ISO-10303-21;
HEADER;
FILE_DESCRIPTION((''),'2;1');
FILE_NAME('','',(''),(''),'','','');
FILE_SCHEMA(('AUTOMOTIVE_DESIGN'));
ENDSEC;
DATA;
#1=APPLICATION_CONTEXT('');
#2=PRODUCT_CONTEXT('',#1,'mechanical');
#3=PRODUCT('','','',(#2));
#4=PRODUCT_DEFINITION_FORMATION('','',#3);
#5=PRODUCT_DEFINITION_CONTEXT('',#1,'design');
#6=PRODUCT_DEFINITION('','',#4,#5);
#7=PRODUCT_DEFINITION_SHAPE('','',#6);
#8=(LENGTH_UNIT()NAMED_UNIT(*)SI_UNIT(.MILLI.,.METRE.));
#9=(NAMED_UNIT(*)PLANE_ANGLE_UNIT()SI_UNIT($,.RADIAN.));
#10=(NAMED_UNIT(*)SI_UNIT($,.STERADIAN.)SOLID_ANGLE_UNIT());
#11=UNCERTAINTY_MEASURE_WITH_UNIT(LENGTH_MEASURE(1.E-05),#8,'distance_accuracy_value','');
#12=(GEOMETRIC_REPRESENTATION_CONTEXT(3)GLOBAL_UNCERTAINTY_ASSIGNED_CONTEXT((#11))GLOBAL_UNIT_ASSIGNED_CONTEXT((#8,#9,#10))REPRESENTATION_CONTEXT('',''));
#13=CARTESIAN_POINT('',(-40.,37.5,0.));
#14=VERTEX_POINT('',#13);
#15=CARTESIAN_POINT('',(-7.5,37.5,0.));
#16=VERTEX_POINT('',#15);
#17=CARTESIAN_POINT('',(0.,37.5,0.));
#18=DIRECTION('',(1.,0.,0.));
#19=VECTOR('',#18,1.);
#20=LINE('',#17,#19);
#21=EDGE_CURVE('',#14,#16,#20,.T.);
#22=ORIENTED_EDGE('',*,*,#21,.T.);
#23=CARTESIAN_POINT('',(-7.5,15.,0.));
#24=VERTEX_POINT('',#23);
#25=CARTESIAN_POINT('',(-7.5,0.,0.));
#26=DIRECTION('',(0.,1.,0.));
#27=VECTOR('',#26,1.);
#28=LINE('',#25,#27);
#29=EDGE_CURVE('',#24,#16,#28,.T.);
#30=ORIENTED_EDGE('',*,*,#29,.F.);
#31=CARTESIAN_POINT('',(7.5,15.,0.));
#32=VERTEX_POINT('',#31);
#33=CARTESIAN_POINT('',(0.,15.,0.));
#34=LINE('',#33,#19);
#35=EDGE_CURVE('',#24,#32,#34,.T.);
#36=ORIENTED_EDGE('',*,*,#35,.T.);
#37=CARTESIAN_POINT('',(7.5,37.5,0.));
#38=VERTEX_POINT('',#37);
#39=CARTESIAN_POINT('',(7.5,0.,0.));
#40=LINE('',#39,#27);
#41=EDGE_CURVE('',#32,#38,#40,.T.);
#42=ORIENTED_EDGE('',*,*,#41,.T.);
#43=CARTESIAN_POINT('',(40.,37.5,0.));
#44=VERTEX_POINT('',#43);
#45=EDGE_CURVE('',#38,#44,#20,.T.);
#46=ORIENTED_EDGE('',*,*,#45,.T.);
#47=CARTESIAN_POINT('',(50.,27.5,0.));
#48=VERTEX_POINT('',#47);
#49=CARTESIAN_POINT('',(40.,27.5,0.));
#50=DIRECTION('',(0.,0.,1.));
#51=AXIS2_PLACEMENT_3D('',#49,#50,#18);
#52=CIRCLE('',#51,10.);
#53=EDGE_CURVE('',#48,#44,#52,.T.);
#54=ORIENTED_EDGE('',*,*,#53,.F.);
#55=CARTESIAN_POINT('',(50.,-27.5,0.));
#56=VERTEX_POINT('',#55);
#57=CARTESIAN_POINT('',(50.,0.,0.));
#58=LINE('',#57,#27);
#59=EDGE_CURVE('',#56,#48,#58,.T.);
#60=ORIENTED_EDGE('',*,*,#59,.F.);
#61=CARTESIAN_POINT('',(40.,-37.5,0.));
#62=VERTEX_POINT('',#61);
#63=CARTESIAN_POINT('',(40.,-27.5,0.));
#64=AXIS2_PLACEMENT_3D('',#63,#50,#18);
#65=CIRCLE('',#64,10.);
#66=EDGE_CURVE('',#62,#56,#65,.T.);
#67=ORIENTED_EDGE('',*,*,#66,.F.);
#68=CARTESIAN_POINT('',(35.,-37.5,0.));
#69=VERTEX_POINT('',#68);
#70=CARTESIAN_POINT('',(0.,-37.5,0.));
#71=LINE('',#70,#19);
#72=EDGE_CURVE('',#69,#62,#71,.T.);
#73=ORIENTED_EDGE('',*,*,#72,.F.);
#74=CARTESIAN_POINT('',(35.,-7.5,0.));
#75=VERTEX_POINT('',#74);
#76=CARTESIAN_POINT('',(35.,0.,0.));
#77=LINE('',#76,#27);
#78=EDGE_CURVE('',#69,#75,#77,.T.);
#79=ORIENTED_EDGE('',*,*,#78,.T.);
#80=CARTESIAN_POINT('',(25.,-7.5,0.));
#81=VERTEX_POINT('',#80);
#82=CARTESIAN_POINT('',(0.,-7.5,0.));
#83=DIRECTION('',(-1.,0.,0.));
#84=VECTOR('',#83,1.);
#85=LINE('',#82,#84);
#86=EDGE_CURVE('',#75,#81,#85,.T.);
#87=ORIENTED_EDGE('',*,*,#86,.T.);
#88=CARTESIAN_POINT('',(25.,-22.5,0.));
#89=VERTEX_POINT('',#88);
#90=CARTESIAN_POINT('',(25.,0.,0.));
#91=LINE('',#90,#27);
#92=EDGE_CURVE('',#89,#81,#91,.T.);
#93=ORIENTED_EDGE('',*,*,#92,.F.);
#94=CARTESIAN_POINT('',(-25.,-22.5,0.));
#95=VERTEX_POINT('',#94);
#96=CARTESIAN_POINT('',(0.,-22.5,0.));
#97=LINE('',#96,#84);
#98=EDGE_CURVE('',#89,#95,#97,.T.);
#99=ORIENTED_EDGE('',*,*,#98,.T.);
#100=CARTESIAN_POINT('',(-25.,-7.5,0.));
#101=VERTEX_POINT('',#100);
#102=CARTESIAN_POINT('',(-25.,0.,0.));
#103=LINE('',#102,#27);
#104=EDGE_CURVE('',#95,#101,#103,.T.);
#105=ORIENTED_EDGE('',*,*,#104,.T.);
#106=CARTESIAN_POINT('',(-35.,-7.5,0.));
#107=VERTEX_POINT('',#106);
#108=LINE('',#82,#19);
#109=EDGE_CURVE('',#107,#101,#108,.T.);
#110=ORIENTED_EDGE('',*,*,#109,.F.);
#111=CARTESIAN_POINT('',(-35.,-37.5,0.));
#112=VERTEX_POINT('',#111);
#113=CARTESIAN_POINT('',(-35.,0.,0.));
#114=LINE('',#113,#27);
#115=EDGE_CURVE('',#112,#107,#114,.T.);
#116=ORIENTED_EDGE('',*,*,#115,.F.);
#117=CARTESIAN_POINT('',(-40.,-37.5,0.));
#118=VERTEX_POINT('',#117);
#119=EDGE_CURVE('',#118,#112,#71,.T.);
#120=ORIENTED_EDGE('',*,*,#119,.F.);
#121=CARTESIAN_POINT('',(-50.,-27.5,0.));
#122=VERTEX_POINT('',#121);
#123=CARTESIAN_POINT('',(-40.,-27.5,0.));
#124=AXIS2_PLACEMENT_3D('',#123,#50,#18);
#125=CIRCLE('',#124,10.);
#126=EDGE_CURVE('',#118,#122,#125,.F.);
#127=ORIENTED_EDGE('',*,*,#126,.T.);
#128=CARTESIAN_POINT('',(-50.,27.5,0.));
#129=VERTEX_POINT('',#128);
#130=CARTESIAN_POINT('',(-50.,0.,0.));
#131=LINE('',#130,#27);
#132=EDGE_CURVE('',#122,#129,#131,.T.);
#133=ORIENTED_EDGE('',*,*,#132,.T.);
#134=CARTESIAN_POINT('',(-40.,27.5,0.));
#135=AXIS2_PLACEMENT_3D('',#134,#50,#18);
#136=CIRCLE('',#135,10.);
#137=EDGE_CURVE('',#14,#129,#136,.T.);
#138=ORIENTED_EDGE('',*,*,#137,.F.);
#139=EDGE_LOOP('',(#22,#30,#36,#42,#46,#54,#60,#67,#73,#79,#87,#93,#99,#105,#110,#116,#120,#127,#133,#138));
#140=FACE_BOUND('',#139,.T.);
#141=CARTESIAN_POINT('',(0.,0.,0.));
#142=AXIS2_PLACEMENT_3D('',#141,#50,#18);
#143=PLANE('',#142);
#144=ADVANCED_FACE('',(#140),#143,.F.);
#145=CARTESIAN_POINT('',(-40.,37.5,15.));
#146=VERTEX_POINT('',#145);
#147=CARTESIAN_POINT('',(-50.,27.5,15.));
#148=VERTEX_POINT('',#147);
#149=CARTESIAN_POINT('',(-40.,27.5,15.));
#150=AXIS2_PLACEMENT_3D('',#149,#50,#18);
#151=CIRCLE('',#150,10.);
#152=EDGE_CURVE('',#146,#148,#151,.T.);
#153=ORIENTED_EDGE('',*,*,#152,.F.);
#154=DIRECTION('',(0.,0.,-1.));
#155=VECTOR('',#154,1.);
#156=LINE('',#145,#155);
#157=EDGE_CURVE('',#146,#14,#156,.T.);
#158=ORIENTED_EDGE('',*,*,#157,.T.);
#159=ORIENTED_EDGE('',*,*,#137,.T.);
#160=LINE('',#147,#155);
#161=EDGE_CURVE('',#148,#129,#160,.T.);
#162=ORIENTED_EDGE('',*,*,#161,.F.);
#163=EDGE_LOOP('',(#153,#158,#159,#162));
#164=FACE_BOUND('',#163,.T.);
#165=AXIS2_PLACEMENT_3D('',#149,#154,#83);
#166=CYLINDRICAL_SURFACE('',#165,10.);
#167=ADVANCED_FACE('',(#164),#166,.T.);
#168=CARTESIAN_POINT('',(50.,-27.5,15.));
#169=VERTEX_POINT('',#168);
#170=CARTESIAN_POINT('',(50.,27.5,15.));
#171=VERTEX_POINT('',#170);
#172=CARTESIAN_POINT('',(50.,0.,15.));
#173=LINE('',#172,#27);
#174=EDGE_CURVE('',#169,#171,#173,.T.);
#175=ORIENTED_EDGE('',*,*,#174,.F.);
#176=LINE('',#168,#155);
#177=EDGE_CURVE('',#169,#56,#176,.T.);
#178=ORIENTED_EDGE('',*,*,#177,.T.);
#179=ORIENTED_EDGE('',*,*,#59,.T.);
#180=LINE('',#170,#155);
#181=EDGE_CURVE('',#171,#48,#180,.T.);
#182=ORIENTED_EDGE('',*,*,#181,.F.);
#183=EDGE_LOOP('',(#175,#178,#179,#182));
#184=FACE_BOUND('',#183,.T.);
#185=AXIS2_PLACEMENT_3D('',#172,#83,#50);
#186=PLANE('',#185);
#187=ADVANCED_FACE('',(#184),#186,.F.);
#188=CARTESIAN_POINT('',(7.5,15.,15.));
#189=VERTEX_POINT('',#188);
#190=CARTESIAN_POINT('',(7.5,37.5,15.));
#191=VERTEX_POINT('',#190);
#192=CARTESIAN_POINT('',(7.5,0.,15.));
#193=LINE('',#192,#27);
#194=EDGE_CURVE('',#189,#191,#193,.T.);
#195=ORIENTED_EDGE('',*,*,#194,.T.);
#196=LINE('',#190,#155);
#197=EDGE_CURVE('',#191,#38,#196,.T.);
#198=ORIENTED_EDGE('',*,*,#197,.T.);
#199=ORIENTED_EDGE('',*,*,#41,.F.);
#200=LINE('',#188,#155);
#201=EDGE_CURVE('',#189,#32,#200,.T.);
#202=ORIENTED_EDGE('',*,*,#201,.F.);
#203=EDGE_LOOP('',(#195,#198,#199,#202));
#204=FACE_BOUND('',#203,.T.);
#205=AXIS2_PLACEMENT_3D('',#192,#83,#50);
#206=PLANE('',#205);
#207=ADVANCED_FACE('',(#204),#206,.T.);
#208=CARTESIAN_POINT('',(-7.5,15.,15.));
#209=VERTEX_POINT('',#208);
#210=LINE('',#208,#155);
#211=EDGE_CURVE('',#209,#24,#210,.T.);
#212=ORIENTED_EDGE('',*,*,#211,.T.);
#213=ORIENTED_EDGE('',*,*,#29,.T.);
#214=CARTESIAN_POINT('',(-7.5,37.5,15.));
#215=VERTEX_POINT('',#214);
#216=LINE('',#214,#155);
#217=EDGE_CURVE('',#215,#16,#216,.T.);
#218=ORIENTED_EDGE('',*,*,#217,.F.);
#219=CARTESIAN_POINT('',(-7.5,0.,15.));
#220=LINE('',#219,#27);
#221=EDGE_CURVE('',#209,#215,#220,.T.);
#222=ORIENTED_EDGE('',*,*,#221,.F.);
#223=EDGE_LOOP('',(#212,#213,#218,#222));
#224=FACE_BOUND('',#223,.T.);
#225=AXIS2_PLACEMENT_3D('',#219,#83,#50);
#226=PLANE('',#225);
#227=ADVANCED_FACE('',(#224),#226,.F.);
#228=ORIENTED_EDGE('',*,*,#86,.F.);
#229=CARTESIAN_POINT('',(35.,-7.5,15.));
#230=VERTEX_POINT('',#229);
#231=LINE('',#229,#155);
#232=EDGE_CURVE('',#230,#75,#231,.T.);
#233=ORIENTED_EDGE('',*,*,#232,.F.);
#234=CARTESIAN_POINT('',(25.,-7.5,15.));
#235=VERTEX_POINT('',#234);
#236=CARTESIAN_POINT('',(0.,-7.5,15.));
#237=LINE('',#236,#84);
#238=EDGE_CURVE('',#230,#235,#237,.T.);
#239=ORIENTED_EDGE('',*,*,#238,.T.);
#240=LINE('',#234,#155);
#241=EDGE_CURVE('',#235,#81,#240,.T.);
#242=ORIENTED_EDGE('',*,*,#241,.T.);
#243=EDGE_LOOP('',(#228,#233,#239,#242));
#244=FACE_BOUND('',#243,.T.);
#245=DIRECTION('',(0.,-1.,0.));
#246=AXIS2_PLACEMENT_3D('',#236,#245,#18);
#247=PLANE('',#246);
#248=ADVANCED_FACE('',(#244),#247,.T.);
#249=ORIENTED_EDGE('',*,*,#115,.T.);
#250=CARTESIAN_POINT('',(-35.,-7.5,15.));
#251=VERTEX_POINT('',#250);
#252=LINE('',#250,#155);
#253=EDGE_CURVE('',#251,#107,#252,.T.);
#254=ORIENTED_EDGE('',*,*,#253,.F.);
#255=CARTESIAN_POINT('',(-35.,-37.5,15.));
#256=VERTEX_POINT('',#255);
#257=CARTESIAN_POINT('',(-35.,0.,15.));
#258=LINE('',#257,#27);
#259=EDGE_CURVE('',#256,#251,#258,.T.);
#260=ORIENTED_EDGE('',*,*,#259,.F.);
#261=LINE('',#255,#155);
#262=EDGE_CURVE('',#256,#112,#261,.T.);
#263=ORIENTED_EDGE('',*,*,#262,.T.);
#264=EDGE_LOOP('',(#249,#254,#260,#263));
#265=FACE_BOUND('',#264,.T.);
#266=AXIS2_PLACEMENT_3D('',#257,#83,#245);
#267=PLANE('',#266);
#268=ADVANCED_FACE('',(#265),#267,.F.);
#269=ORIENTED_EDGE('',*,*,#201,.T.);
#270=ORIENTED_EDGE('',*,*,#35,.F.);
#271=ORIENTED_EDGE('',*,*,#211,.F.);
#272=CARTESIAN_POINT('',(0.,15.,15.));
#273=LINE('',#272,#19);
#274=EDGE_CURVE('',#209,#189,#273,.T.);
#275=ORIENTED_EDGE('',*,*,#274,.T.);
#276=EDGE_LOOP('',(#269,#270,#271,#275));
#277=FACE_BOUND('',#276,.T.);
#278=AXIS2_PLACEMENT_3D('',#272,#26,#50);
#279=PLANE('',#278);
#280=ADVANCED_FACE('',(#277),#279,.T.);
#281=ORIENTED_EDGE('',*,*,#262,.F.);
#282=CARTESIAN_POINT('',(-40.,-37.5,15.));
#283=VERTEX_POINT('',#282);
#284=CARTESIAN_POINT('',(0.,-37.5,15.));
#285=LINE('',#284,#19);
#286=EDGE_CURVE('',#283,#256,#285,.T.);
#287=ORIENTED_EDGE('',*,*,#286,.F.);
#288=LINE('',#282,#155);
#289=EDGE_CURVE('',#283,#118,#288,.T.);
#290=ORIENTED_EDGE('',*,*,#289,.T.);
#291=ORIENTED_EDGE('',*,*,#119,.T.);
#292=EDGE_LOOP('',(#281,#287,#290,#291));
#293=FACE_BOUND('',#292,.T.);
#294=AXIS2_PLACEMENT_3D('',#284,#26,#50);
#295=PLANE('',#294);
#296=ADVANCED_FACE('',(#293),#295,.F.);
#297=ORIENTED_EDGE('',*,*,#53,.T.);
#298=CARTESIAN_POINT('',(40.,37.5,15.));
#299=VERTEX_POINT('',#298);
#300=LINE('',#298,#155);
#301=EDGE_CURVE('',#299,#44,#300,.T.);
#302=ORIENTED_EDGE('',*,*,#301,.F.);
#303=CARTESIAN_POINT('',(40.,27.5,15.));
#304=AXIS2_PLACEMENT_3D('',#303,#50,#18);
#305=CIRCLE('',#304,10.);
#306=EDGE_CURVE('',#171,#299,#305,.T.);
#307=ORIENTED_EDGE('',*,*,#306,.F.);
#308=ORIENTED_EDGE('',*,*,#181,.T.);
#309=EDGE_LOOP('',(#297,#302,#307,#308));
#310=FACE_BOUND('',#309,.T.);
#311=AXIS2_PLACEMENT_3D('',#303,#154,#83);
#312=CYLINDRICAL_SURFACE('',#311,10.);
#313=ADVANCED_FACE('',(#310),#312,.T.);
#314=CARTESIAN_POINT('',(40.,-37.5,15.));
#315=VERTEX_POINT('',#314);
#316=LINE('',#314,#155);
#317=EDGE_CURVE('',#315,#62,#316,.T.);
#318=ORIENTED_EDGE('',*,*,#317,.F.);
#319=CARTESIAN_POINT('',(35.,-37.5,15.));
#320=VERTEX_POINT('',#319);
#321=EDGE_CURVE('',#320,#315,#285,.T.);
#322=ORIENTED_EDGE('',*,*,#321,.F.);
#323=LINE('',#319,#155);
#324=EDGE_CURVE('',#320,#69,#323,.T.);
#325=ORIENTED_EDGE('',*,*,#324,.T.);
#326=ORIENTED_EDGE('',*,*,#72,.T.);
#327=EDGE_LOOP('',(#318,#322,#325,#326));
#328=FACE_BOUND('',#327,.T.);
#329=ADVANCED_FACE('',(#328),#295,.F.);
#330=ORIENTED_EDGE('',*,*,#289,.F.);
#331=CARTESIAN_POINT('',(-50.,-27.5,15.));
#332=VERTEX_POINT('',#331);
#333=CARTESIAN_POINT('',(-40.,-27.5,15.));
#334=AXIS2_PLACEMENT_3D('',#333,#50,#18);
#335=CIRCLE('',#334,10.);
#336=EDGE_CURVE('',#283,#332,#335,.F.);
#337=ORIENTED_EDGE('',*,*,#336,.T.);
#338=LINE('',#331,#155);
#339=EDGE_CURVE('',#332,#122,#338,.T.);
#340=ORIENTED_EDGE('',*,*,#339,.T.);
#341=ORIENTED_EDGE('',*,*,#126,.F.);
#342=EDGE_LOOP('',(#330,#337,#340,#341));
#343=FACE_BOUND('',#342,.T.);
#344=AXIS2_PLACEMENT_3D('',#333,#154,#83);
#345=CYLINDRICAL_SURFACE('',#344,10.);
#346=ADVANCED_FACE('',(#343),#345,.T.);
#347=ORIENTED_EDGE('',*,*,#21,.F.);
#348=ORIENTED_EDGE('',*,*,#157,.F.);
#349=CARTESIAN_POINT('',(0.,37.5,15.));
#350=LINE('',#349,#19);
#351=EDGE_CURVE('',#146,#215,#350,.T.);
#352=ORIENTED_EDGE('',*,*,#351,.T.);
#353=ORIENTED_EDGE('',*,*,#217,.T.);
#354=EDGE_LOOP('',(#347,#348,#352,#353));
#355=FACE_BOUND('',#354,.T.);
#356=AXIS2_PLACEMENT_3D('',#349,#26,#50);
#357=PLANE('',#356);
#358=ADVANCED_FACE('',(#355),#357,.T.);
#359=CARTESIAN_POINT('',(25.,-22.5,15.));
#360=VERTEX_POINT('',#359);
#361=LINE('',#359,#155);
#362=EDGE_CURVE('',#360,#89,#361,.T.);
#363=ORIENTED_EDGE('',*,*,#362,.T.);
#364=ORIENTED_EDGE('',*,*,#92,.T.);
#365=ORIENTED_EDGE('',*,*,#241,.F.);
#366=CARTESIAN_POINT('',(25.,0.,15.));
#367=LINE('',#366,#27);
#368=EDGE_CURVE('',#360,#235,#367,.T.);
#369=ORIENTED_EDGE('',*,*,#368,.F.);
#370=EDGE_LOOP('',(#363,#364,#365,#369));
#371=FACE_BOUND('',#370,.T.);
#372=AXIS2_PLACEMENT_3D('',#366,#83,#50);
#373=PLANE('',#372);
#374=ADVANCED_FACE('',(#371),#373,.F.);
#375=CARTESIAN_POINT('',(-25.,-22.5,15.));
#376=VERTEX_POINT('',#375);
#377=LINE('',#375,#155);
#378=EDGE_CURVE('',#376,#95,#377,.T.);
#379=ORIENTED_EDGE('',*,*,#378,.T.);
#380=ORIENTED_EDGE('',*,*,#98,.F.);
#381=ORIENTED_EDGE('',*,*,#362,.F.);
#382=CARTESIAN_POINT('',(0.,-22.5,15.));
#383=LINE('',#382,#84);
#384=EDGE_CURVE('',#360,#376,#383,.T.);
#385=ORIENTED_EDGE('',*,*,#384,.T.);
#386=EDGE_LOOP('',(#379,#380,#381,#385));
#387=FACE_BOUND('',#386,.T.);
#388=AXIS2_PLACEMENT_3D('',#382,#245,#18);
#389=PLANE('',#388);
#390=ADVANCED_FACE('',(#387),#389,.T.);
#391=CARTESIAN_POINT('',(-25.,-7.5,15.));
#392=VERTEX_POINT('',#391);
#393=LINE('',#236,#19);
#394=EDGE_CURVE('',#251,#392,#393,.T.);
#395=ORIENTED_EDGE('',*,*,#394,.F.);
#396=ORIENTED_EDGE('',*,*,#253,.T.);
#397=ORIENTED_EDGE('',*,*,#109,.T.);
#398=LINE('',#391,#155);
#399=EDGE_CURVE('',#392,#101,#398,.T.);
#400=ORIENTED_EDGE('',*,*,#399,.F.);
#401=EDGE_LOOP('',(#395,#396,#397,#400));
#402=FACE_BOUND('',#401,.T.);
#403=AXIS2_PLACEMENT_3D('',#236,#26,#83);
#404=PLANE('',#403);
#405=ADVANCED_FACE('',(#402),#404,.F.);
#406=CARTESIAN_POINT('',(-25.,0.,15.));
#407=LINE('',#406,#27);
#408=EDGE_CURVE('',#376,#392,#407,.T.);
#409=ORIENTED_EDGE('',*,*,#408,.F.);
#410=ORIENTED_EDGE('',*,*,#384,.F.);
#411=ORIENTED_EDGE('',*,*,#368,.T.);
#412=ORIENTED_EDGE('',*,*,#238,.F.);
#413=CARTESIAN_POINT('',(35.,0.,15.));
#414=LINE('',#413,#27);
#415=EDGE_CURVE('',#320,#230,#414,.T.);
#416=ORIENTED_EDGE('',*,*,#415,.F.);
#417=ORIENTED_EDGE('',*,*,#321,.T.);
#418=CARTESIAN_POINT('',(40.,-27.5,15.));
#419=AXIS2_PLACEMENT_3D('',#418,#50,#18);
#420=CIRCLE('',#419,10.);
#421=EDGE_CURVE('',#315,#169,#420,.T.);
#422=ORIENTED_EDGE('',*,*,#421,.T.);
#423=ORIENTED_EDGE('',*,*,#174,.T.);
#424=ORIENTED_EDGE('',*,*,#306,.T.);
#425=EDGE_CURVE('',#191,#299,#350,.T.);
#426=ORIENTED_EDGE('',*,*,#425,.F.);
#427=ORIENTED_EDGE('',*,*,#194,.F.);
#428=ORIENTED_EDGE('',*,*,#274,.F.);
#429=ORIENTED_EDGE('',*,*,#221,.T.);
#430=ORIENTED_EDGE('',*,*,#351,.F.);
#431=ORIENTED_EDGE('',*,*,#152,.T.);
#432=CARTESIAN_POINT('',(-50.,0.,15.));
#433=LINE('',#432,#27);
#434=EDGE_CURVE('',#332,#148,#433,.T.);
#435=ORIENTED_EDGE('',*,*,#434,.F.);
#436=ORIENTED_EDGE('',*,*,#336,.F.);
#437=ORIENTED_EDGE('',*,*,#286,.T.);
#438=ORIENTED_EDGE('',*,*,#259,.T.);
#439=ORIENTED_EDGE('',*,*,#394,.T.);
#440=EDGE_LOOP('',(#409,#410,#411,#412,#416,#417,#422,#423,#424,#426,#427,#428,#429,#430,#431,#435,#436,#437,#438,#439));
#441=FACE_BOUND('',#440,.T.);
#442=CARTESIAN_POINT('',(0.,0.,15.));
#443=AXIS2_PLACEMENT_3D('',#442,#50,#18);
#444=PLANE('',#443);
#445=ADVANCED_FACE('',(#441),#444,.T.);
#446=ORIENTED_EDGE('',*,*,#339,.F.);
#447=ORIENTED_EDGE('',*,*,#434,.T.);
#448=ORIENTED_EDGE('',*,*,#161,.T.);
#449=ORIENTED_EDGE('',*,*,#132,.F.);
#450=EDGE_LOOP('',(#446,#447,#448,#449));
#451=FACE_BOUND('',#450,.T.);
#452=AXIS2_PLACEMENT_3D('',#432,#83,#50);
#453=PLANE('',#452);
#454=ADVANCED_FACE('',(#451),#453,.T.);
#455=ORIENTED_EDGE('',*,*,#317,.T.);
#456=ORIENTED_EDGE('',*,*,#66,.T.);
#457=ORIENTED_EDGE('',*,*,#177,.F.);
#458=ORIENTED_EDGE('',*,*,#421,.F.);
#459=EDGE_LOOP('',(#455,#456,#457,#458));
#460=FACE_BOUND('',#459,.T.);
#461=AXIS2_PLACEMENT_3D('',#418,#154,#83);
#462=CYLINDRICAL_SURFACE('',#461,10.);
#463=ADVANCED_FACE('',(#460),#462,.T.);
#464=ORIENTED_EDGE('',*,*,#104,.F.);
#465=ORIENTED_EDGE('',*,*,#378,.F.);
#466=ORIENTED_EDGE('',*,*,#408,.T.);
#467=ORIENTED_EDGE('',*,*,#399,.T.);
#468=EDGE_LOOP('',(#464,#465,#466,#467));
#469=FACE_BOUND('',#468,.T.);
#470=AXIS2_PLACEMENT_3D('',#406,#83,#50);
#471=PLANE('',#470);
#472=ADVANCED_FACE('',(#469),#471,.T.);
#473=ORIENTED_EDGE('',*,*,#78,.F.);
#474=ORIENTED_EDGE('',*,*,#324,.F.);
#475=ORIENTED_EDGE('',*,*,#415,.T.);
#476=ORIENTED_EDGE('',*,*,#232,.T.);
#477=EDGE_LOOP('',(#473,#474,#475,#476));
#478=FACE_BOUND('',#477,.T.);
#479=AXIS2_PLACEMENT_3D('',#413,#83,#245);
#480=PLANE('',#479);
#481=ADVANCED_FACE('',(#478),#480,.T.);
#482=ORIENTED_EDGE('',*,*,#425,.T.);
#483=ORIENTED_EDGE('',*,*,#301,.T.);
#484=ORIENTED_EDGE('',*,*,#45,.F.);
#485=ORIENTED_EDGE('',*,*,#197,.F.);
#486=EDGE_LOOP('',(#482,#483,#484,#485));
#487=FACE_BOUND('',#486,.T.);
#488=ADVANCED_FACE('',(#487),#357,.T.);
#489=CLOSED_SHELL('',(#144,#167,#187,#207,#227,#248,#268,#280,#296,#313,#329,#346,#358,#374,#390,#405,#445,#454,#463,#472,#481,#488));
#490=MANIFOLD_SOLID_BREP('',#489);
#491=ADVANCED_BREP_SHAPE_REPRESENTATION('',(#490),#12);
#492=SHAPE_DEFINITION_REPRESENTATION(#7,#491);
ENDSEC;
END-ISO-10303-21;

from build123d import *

# Parameters (mm, degrees)
BOSS_EXTRU_1_DEPTH = 15


with BuildPart() as part:
    # Esquisse1 → Boss.-Extru.1 (new body)
    with BuildSketch(Plane.XY):
        with BuildLine():
            ThreePointArc((-50, -27.5), (-47.071067812, -34.571067812), (-40, -37.5))
            Line((-40, -37.5), (-35, -37.5))
            Line((-35, -37.5), (-35, -22.5))
            Line((-35, -22.5), (-35, -7.5))
            Line((-35, -7.5), (-25, -7.5))
            Line((-25, -7.5), (-25, -22.5))
            Line((-25, -22.5), (25, -22.5))
            Line((25, -22.5), (25, -7.5))
            Line((25, -7.5), (35, -7.5))
            Line((35, -7.5), (35, -22.5))
            Line((35, -22.5), (35, -37.5))
            Line((35, -37.5), (40, -37.5))
            ThreePointArc((40, -37.5), (47.071067812, -34.571067812), (50, -27.5))
            Line((50, -27.5), (50, 27.5))
            ThreePointArc((50, 27.5), (47.071067812, 34.571067812), (40, 37.5))
            Line((40, 37.5), (7.5, 37.5))
            Line((7.5, 37.5), (7.5, 15))
            Line((7.5, 15), (-7.5, 15))
            Line((-7.5, 15), (-7.5, 37.5))
            Line((-7.5, 37.5), (-40, 37.5))
            ThreePointArc((-40, 37.5), (-47.071067812, 34.571067812), (-50, 27.5))
            Line((-50, 27.5), (-50, -27.5))
        make_face()
    extrude(amount=BOSS_EXTRU_1_DEPTH)


solid = part.part
